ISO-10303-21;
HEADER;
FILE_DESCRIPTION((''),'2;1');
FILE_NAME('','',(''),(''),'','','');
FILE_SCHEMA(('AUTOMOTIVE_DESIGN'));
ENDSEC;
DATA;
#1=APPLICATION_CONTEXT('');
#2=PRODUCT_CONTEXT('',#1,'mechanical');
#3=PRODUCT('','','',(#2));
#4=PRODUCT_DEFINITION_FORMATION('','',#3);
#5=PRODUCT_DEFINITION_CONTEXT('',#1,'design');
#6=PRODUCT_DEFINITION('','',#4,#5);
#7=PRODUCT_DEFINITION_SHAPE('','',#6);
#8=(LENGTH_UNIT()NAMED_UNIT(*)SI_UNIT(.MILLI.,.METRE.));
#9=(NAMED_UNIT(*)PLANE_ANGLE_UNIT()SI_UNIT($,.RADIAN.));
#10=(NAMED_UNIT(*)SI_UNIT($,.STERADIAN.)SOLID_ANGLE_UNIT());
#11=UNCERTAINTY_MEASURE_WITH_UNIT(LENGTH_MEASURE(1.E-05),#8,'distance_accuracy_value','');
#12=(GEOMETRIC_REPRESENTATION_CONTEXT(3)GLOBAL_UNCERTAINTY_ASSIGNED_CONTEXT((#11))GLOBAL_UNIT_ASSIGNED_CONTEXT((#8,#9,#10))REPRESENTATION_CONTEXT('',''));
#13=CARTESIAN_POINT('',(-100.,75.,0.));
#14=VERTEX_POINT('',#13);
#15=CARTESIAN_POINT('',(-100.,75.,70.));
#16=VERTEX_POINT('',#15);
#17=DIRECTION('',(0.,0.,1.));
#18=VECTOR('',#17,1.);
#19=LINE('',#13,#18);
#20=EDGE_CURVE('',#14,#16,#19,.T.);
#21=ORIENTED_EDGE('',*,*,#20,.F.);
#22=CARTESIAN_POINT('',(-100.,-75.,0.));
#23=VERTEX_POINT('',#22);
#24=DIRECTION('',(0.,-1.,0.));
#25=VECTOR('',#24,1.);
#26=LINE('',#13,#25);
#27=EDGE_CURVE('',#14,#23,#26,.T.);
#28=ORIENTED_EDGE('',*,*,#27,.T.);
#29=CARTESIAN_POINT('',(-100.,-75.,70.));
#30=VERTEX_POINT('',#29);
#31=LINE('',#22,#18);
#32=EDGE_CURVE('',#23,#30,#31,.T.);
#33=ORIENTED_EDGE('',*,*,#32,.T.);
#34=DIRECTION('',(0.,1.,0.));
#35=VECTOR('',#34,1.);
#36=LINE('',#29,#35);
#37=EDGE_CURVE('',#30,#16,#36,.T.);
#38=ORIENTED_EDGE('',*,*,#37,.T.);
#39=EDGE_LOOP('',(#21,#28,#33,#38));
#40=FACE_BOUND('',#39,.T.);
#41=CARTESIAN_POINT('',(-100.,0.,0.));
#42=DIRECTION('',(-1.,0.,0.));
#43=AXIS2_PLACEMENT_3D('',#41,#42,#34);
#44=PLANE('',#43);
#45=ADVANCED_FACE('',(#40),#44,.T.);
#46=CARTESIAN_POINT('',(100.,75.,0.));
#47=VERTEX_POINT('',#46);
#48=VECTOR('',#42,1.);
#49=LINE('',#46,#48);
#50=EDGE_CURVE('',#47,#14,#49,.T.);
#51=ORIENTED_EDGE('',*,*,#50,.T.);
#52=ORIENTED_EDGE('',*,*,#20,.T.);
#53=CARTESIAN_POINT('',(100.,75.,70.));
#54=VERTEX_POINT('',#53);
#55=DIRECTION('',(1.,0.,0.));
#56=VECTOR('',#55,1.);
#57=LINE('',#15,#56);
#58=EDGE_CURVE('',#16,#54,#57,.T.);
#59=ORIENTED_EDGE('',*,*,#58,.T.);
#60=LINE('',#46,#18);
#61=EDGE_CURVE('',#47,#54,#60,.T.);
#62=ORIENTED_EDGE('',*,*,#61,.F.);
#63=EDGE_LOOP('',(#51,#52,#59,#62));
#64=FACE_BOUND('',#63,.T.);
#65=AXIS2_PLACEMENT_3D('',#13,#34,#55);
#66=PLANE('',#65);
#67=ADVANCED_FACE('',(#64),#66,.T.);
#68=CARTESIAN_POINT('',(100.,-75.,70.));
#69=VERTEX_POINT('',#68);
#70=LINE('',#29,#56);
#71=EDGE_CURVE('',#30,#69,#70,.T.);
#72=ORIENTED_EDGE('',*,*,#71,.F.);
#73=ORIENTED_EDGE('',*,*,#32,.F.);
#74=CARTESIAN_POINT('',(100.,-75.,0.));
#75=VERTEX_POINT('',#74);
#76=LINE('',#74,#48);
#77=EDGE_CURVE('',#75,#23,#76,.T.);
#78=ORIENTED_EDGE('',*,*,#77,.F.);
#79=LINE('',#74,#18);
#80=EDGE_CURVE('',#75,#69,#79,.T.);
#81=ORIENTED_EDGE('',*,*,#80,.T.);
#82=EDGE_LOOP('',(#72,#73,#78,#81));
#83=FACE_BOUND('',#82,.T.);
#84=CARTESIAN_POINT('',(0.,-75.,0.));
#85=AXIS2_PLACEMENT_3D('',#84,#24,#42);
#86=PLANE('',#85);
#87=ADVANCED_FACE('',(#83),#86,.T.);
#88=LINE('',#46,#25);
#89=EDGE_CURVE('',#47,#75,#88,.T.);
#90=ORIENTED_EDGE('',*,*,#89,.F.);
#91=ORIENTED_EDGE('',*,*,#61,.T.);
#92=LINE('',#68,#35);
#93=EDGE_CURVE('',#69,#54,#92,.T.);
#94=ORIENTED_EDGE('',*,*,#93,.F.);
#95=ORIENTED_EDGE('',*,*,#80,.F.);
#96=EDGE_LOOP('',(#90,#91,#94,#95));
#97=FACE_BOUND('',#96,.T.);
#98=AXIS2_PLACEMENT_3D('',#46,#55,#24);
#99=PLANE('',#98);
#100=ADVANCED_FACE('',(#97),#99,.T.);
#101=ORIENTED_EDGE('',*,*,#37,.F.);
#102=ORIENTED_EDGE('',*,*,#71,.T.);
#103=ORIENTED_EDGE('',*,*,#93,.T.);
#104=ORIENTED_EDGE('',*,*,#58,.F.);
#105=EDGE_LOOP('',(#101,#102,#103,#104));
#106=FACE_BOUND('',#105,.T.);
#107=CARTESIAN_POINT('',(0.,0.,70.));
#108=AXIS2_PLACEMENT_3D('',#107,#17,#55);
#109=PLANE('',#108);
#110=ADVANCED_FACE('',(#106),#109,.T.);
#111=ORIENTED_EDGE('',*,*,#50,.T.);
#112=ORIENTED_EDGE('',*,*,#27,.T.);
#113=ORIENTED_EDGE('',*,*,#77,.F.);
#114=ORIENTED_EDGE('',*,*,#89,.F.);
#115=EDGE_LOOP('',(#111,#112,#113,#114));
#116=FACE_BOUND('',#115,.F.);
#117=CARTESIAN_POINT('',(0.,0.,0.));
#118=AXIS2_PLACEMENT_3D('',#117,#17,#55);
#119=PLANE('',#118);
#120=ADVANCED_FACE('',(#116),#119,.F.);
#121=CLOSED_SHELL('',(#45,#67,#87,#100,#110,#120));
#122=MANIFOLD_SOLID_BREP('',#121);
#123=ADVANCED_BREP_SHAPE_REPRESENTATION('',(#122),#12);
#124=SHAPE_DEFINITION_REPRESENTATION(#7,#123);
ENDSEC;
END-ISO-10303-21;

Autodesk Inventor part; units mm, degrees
ref_plane "YZ Plane" through (0, 0, 0) normal (1, 0, 0) x (0, 1, 0)
ref_plane "XZ Plane" through (0, 0, 0) normal (0, 1, 0) x (-1, 0, 0)
ref_plane "XY Plane" through (0, 0, 0) normal (0, 0, 1) x (1, 0, 0)
sketch "Sketch1" plane through (0, 0, 0) normal (0, 0, 1) x (1, 0, 0)
  line L0 (-100, 75) -> (100, 75)
  line L1 (100, 75) -> (100, -75)
  line L2 (100, -75) -> (-100, -75)
  line L3 (-100, -75) -> (-100, 75)
  line L4 (0, 105) -> (0, -105) projected
  line L5 (-140, 0) -> (140, 0) projected
  point P0 (0, 0)
  dimension "d0" = 200
  dimension "d1" = 150
extrude "Extrusion1" add sketch "Sketch1" along normal blind 70
properties part number "camera"
